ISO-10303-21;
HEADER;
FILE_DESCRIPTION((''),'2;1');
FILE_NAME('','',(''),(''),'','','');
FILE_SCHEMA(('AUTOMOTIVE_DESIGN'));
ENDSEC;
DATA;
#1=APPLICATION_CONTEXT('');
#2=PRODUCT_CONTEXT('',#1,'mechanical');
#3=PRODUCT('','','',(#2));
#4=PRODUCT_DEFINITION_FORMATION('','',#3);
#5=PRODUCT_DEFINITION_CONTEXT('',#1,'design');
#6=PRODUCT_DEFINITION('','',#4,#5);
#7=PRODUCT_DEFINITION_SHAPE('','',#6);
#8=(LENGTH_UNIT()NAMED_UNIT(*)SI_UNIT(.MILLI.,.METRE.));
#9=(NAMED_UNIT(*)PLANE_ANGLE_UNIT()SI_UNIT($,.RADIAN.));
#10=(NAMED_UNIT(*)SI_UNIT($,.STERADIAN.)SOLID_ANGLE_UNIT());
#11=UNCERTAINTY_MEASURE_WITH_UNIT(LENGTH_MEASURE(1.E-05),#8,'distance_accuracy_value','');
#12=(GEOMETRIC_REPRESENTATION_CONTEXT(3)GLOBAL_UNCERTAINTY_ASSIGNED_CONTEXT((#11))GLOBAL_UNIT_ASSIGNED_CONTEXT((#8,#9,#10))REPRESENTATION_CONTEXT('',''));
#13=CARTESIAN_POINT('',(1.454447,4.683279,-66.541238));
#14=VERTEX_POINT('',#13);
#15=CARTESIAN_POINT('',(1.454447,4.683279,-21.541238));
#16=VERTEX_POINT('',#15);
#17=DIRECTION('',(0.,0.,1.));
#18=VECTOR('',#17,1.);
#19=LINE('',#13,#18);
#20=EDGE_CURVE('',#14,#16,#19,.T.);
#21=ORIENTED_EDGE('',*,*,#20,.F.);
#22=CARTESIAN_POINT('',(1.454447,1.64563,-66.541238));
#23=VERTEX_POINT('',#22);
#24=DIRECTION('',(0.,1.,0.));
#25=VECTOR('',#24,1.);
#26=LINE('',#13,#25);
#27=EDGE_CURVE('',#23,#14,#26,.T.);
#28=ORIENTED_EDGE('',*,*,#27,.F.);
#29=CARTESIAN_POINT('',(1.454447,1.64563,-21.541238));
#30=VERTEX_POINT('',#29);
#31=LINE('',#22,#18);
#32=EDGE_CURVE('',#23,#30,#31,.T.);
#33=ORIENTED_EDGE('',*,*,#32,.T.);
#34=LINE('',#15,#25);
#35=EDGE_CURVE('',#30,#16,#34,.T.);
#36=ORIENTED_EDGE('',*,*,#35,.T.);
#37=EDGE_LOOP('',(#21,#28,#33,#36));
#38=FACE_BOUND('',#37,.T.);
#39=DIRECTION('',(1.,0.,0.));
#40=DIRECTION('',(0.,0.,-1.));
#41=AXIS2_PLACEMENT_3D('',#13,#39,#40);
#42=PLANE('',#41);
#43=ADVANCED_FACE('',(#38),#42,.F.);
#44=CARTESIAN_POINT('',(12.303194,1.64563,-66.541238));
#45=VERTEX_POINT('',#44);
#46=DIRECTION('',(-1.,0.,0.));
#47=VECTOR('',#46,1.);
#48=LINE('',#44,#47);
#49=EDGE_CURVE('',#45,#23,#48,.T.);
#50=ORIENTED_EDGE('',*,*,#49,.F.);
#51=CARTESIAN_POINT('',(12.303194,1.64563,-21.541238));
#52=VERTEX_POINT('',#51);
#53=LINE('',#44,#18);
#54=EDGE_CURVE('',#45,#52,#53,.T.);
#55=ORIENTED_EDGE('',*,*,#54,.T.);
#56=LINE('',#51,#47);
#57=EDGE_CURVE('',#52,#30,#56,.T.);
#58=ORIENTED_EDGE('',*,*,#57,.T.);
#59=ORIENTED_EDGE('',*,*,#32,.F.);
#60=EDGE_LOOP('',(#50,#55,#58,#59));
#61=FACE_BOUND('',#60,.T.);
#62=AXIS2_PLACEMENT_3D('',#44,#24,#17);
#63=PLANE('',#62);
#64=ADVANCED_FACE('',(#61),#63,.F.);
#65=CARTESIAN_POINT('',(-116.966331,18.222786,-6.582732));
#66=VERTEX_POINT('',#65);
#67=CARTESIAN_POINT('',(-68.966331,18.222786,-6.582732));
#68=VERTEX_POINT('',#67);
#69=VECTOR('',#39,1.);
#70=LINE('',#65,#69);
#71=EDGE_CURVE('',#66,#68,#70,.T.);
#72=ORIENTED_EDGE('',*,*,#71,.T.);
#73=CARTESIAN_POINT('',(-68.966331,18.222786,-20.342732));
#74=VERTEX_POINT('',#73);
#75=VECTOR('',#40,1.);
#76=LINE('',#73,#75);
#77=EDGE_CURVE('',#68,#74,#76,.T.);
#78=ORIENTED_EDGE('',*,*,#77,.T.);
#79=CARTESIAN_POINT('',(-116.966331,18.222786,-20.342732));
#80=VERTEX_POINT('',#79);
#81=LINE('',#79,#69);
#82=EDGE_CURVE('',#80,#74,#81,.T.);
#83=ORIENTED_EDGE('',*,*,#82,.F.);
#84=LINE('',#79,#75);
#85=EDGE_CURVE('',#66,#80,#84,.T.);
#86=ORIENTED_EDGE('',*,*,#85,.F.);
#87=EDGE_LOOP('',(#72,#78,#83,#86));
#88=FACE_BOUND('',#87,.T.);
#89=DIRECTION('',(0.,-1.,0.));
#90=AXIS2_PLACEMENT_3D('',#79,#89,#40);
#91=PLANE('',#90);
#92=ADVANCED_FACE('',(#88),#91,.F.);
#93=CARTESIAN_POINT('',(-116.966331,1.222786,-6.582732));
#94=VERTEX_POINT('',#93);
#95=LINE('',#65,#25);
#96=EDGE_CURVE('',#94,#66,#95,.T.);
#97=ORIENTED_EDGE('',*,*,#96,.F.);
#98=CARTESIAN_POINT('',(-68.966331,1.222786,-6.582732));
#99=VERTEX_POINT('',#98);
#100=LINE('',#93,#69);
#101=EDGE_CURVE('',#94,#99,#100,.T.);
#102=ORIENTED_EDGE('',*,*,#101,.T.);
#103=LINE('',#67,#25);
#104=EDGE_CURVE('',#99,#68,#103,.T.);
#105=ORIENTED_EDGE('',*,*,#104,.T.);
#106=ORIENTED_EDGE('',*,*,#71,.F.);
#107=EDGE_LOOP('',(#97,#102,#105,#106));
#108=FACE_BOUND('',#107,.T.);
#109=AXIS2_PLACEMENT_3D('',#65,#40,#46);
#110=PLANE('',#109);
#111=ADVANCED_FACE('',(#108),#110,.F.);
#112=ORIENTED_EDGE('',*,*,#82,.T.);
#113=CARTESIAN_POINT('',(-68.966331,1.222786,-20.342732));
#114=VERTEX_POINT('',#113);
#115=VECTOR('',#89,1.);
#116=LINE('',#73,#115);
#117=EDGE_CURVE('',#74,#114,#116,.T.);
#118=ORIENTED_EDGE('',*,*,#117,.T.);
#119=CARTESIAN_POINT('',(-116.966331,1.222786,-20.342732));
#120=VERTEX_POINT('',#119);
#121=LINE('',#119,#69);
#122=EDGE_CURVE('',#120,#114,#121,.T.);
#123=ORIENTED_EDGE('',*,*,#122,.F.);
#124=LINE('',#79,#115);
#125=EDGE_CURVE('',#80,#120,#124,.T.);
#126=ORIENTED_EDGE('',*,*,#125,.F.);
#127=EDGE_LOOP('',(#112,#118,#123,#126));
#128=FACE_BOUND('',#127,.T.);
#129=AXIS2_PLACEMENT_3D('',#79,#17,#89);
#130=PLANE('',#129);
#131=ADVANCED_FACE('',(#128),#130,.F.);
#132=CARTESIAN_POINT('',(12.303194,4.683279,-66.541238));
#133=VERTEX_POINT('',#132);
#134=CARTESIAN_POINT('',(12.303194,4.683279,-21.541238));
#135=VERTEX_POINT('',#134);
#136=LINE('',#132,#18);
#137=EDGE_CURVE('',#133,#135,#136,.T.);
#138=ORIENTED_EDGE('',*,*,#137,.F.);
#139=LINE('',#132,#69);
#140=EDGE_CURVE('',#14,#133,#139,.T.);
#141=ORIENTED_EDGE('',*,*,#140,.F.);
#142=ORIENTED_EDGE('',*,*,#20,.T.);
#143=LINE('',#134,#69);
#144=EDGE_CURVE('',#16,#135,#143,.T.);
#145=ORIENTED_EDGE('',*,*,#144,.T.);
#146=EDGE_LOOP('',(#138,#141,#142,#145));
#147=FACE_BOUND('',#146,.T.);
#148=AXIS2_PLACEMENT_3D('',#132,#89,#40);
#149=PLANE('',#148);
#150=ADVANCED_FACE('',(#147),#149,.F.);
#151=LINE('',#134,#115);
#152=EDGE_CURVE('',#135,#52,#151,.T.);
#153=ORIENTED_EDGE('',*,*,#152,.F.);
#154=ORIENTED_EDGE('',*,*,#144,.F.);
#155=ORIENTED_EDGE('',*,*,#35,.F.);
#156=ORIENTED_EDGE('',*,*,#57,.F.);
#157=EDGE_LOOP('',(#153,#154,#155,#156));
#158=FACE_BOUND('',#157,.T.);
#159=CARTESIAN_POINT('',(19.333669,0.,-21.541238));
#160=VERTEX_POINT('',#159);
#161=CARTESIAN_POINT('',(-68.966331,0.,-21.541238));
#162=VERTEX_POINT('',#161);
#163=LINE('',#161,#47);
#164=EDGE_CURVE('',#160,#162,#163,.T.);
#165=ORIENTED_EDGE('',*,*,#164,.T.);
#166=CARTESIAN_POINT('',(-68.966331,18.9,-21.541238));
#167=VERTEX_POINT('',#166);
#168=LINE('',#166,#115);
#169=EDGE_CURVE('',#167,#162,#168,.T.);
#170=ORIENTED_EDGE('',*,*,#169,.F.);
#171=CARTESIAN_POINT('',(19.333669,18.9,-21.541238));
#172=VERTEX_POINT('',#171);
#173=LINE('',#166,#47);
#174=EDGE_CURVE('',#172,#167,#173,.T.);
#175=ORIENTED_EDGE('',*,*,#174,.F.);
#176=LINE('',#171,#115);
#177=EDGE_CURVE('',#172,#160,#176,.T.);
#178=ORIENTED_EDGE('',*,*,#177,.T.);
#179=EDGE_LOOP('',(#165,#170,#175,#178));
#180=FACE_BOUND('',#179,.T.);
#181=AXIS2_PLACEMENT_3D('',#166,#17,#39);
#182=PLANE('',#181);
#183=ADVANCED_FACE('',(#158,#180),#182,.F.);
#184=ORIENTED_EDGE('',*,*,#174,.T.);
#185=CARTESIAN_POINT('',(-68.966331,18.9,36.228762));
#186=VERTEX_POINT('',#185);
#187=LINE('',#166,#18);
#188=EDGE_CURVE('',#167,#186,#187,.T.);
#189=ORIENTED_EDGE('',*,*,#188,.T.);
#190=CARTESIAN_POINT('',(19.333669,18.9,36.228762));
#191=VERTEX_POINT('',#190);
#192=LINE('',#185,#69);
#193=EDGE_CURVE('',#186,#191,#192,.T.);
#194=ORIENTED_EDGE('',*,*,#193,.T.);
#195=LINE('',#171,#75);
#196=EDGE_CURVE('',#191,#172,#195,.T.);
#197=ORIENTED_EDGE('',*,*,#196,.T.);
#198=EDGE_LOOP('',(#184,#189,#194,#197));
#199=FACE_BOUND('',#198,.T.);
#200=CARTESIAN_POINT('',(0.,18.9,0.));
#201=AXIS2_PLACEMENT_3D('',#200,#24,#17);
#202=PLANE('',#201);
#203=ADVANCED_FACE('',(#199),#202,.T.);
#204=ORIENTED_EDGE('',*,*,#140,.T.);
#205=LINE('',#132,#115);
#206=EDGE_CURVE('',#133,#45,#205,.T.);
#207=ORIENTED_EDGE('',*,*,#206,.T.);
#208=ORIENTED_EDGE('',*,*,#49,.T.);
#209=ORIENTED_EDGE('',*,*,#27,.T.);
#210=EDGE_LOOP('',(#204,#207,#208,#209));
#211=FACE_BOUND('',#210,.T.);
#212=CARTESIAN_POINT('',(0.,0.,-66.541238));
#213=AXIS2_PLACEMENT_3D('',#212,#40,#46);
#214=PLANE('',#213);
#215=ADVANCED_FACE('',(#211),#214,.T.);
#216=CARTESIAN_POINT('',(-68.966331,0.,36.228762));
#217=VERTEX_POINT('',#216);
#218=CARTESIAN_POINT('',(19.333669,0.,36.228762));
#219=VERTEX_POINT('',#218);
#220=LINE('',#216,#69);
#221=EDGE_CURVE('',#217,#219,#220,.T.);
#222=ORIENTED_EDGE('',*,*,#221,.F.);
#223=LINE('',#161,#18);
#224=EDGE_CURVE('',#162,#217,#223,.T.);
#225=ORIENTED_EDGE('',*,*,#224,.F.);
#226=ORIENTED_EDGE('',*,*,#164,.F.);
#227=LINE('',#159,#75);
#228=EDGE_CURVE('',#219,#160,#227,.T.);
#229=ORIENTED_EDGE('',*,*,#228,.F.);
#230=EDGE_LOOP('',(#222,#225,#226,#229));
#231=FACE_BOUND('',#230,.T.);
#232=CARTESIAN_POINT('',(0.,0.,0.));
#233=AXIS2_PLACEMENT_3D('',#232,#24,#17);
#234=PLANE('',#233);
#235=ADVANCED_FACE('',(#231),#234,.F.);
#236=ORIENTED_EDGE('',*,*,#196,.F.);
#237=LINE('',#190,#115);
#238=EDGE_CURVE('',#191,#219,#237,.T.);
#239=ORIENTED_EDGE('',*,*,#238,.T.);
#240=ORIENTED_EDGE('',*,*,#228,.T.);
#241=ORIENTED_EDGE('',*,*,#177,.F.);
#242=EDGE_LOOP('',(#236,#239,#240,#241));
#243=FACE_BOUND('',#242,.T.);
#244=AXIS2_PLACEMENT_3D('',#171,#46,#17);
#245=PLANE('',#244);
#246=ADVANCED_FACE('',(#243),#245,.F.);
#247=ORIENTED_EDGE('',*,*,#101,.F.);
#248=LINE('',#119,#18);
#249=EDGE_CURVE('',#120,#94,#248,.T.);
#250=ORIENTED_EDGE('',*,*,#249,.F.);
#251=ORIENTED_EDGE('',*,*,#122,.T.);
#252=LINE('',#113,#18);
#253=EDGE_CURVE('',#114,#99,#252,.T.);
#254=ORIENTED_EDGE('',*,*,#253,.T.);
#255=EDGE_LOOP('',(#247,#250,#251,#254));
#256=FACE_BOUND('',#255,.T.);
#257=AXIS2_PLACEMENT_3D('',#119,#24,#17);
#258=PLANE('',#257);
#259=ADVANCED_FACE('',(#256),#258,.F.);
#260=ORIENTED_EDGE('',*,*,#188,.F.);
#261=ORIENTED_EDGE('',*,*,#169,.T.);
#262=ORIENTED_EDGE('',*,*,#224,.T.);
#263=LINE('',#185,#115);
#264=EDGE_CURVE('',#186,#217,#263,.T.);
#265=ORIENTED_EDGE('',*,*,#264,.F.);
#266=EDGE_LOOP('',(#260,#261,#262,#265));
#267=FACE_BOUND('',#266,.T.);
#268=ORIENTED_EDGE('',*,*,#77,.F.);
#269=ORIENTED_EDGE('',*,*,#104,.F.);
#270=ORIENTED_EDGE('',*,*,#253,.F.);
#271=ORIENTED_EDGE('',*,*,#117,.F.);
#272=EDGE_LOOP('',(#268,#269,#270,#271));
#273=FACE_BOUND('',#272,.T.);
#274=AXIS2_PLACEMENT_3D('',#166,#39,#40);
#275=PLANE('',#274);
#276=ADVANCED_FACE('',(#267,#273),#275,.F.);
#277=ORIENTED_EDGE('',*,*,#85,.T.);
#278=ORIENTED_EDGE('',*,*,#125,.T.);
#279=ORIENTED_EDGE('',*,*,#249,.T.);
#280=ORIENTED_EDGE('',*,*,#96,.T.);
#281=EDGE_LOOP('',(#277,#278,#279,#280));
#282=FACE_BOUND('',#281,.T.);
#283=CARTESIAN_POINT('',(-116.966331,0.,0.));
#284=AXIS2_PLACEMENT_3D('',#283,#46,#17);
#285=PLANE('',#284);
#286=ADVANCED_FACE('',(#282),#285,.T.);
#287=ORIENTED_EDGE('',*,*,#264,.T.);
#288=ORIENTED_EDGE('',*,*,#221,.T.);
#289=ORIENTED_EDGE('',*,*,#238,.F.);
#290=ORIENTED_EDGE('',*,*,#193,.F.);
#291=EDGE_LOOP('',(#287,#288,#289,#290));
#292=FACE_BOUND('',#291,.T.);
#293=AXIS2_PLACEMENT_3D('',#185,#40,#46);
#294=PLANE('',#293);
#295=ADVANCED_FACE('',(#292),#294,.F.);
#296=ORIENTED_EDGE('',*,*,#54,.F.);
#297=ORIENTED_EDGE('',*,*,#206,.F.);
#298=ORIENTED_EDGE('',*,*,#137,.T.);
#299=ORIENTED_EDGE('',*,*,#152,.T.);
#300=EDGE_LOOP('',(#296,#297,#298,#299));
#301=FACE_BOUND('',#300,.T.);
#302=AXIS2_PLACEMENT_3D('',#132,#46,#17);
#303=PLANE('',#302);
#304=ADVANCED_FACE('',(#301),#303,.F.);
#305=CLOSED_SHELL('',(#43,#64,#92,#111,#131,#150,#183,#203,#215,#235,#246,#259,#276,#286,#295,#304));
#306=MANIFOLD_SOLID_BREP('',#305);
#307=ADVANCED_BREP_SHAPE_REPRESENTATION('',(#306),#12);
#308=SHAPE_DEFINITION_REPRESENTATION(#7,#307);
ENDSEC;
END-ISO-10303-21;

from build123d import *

# Parameters (mm, degrees)
SKETCH_1_W      = 88.3
SKETCH_1_H      = 57.77
EXTRUDE_1_DEPTH = 18.9
SKETCH_2_W      = 13.76
SKETCH_2_H      = 17
EXTRUDE_2_DEPTH = 48
SKETCH_3_W      = 10.848746397
SKETCH_3_H      = 3.037648992
EXTRUDE_3_DEPTH = 45


with BuildPart() as part:
    # Эскиз1 → Бобышка-Вытянуть1 (new body)
    with BuildSketch(Plane(origin=(0, 0, 0), x_dir=(1, 0, 0), z_dir=(0, 1, 0))):
        with Locations((-24.816331195, -7.343762185)):
            Rectangle(SKETCH_1_W, SKETCH_1_H)
    extrude(amount=EXTRUDE_1_DEPTH)

    # Эскиз2 → Бобышка-Вытянуть2 (add)
    with BuildSketch(Plane.ZY.offset(68.966331195)):
        with Locations((-13.462732009, 9.722786208)):
            Rectangle(SKETCH_2_W, SKETCH_2_H)
    extrude(amount=EXTRUDE_2_DEPTH)

    # Эскиз3 → Бобышка-Вытянуть3 (add)
    with BuildSketch(Plane(origin=(0, 0, -21.541237815), x_dir=(-1, 0, 0), z_dir=(0, 0, -1))):
        with Locations((-6.878820548, 3.164454924)):
            Rectangle(SKETCH_3_W, SKETCH_3_H)
    extrude(amount=EXTRUDE_3_DEPTH)


solid = part.part
